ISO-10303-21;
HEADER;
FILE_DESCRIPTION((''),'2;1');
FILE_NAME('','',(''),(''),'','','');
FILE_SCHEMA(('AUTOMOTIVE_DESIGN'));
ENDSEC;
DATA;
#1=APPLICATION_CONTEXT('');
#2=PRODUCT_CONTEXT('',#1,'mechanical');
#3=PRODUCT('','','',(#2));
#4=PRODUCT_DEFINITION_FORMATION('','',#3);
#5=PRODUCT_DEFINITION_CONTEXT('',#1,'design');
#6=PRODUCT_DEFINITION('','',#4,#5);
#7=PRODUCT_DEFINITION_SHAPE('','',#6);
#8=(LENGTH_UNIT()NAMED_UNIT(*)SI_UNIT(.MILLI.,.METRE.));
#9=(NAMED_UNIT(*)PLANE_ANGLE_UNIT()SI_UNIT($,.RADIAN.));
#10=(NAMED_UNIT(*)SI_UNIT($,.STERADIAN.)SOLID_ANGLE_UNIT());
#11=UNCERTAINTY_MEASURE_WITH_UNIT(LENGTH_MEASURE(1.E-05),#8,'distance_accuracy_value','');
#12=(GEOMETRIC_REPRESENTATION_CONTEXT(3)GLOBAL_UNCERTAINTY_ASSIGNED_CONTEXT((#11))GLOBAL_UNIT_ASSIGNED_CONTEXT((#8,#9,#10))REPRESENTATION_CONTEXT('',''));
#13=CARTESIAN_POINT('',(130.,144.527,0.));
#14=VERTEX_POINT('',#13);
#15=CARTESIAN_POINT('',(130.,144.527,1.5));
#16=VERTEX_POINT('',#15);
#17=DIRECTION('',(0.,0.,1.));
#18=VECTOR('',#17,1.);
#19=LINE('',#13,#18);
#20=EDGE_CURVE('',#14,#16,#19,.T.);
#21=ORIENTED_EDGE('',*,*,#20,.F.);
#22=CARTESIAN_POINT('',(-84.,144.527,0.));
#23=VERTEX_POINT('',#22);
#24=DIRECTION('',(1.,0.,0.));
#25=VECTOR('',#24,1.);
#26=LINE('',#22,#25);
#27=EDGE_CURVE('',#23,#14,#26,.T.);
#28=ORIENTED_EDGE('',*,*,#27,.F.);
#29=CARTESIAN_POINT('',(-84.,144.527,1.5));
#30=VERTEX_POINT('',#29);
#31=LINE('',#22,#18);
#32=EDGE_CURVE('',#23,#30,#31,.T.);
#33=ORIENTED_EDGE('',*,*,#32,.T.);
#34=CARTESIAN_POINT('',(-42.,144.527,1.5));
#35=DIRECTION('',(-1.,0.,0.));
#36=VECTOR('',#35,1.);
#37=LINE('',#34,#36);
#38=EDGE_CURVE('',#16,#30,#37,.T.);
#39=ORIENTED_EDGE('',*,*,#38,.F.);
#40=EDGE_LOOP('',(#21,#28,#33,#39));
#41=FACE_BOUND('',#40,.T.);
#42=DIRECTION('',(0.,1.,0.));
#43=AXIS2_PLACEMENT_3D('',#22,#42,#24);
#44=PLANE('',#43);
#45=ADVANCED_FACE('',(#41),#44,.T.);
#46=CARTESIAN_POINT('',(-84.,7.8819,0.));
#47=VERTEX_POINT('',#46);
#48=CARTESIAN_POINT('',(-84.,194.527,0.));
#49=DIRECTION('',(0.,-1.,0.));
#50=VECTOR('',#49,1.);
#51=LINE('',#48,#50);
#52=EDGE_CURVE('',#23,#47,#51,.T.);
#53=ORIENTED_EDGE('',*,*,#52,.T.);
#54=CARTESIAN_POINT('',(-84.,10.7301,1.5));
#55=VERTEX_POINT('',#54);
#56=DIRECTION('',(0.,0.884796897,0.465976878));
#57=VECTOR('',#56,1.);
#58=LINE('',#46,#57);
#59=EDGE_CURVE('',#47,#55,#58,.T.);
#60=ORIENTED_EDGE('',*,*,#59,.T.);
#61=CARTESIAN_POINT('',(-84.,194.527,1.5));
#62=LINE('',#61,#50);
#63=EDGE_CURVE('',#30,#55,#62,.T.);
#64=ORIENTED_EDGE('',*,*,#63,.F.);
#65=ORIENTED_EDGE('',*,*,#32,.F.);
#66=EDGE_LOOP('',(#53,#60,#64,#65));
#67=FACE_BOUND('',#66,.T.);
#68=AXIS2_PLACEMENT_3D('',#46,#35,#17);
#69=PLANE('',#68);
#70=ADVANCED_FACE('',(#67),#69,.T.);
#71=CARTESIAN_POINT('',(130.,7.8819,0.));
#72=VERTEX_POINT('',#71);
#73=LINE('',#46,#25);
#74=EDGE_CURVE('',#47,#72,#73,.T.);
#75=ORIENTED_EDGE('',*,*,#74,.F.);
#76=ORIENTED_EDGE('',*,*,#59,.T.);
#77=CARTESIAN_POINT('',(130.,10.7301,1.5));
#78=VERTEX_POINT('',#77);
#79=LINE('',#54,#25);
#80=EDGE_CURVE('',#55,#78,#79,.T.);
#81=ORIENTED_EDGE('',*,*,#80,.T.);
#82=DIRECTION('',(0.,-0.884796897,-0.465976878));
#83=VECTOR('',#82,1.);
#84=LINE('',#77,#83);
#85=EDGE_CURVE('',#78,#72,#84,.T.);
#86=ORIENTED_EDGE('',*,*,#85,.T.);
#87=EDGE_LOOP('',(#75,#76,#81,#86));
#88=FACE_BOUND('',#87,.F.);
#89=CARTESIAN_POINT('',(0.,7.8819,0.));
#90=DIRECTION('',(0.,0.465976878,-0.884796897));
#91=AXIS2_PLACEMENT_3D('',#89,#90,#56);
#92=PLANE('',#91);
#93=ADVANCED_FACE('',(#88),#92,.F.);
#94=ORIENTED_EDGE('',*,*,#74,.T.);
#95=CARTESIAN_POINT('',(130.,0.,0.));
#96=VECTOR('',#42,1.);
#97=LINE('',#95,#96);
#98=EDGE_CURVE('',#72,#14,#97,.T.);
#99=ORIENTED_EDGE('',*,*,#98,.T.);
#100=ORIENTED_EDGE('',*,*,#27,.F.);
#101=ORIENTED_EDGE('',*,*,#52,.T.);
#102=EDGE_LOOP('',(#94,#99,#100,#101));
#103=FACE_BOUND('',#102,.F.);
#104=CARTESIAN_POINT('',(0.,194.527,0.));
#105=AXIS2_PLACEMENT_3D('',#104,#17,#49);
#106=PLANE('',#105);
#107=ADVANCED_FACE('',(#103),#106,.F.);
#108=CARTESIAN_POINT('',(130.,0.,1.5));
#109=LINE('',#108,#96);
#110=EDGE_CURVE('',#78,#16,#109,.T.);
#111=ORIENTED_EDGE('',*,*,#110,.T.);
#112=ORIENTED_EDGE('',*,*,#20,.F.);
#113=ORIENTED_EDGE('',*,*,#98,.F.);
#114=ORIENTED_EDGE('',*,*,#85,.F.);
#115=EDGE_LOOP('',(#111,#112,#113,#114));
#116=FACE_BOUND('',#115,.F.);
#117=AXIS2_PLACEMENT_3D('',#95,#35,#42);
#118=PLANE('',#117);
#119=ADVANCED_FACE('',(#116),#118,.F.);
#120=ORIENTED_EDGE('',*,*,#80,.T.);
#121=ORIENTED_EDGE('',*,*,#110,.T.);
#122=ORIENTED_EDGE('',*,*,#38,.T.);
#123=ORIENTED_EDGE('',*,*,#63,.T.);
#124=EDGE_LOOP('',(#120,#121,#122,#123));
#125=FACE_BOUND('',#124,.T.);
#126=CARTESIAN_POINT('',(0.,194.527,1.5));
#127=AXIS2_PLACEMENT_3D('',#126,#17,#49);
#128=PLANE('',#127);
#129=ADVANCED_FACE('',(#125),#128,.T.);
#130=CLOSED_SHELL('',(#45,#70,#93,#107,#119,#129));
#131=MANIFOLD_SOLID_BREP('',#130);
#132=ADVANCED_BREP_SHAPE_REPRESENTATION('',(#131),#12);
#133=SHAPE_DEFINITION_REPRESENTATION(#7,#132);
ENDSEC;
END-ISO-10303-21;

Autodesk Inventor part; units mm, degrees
ref_plane "YZ Plane" through (0, 0, 0) normal (1, 0, 0) x (0, 1, 0)
ref_plane "XZ Plane" through (0, 0, 0) normal (0, 1, 0) x (-1, 0, 0)
ref_plane "XY Plane" through (0, 0, 0) normal (0, 0, 1) x (1, 0, 0)
sketch "Эскиз1" plane through (0, 0, 0) normal (0, 0, 1) x (1, 0, 0)
  line L0 (0, 0) -> (130, 0)
  line L1 (130, 0) -> (130, 240)
  line L2 (130, 240) -> (0, 240)
  line L3 (0, 240) -> (0, 0)
  dimension "d0" = 130
  dimension "d1" = 240
extrude "Выдавливание1" add sketch "Эскиз1" along normal blind 1.5
ref_plane "РабПлоскость1" through (130, 7.8819, 0) normal (1, 0, 0) x (0, 0, -1)
sketch "Эскиз3" plane through (130, 7.8819, 0) normal (1, 0, 0) x (0, 0, -1)
  line L0 (-1.5, 2.8482) -> (0, 0) projected
  line L1 (0, 0) -> (-1.5, 2.8482)
  line L2 (0, -7.8819) -> (0, 232.1181) projected
  line L3 (0, 232.1181) -> (-1.5, 232.1181) projected
  line L4 (-1.5, -7.8819) -> (-1.5, 232.1181) projected
  line L5 (0, -7.8819) -> (-1.5, -7.8819) projected
  point P0 (0, -7.8819)
  point P1 (0, 0)
  point P2 (-1.5, 2.8482)
extrude "Выдавливание3" cut sketch "Эскиз3" against normal through all contours L0 L2 L5 L4
sketch "Эскиз4" plane through (0, 0, 0) normal (0, 0, -1) x (-1, 0, 0)
  line L0 (-186.9271, 194.527) -> (57.0729, 194.527) projected
  line L1 (-130, 7.8819) -> (0, 7.8819) projected
  line L2 (0, 240) -> (0, 7.8819) projected
  line L3 (-130, 240) -> (0, 240) projected
  line L4 (-130, 7.8819) -> (-130, 240) projected
  point P0 (0, 0)
  point P1 (-130, 194.527)
  point P2 (0, 194.527)
extrude "Выдавливание4" cut sketch "Эскиз4" against normal blind 10 contours L4 L3 L2 L0
sketch "Эскиз5" plane through (0, 7.8819, 0) normal (-1, 0, 0) x (0, 0, 1)
  line L0 (1.5, 186.6451) -> (0, 186.6451) projected
  line L1 (0, 186.6451) -> (0, 0) projected
  line L2 (0, 0) -> (1.5, 2.8482) projected
  line L3 (1.5, 186.6451) -> (1.5, 2.8482) projected
  point P0 (0, -7.8819)
extrude "Выдавливание5" add sketch "Эскиз5" along normal blind 84
sketch "Эскиз6" plane through (130, 7.8819, 0) normal (1, 0, 0) x (0, 0, -1)
  line L0 (0, 186.6451) -> (0, 0) projected
  line L1 (0, 0) -> (-1.5, 2.8482) projected
  line L2 (-1.5, 2.8482) -> (-1.5, 186.6451) projected
  line L3 (-1.5, 186.6451) -> (0, 186.6451) projected
  line L4 (8.5, 202.2968) -> (8.5, 0)
  circle A0 centre (515.0502, 101.1484) radius 516.5502
  circle A1 centre (515.0502, 101.1484) radius 514.5502
  point P0 (0, -7.8819)
  point P1 (8.5, 10.767)
  point P2 (8.5, 191.5298)
  point P3 (0, 140.4854)
  point P4 (0, 61.8114)
  dimension "d14" = 10
  dimension "d15" = 2
sketch "Эскиз7" plane through (-84, 7.8819, 0) normal (-1, 0, 0) x (0, 0, 1)
  point P0 (0, -7.8819)
sketch "Эскиз8" plane through (130, 10.73, 1.5) normal (1, 0, 0) x (0, 0, -1)
  line L0 (74.6894, 55.2388) -> (-105.8733, 389.5996) projected
  line L1 (1.0792, 191.548) -> (24.6268, 147.9433)
  line L2 (24.6268, 147.9433) -> (43.5247, 158.1486)
  line L3 (43.5247, 158.1486) -> (19.9771, 201.7533)
  line L4 (19.9771, 201.7533) -> (1.0792, 191.548)
  point P0 (1.5, -10.73)
extrude "Выдавливание7" cut sketch "Эскиз8" against normal through all
sketch "Эскиз9" plane through (-84, 7.8819, 0) normal (-1, 0, 0) x (0, 0, 1)
  line L0 (0, 186.6451) -> (0, 0) projected
  line L1 (0, 0) -> (1.5, 2.8482) projected
  line L2 (1.5, 2.8482) -> (1.5, 186.6451) projected
  arc A0 (-8.5, 0) -> (0, 140.4854) centre (-515.0502, 101.1484) ccw
  line L3 (1.5, 186.6451) -> (0, 186.6451) projected
  point P0 (0, -7.8819)
sketch "Эскиз10" plane through (0, 0, 0) normal (0, 0, -1) x (-1, 0, 0)
  line L0 (84, 194.527) -> (-130, 194.527) projected
  line L1 (84, 10.73) -> (84, 194.527) projected
  line L2 (-130, 194.527) -> (84, 194.527)
  line L3 (84, 194.527) -> (84, 144.527)
  line L4 (84, 144.527) -> (-130, 144.527)
  line L5 (-130, 144.527) -> (-130, 194.527)
  point P0 (0, 0)
  dimension "d22" = 50
extrude "Выдавливание8" cut sketch "Эскиз10" against normal blind 10
properties part number "наклон"
